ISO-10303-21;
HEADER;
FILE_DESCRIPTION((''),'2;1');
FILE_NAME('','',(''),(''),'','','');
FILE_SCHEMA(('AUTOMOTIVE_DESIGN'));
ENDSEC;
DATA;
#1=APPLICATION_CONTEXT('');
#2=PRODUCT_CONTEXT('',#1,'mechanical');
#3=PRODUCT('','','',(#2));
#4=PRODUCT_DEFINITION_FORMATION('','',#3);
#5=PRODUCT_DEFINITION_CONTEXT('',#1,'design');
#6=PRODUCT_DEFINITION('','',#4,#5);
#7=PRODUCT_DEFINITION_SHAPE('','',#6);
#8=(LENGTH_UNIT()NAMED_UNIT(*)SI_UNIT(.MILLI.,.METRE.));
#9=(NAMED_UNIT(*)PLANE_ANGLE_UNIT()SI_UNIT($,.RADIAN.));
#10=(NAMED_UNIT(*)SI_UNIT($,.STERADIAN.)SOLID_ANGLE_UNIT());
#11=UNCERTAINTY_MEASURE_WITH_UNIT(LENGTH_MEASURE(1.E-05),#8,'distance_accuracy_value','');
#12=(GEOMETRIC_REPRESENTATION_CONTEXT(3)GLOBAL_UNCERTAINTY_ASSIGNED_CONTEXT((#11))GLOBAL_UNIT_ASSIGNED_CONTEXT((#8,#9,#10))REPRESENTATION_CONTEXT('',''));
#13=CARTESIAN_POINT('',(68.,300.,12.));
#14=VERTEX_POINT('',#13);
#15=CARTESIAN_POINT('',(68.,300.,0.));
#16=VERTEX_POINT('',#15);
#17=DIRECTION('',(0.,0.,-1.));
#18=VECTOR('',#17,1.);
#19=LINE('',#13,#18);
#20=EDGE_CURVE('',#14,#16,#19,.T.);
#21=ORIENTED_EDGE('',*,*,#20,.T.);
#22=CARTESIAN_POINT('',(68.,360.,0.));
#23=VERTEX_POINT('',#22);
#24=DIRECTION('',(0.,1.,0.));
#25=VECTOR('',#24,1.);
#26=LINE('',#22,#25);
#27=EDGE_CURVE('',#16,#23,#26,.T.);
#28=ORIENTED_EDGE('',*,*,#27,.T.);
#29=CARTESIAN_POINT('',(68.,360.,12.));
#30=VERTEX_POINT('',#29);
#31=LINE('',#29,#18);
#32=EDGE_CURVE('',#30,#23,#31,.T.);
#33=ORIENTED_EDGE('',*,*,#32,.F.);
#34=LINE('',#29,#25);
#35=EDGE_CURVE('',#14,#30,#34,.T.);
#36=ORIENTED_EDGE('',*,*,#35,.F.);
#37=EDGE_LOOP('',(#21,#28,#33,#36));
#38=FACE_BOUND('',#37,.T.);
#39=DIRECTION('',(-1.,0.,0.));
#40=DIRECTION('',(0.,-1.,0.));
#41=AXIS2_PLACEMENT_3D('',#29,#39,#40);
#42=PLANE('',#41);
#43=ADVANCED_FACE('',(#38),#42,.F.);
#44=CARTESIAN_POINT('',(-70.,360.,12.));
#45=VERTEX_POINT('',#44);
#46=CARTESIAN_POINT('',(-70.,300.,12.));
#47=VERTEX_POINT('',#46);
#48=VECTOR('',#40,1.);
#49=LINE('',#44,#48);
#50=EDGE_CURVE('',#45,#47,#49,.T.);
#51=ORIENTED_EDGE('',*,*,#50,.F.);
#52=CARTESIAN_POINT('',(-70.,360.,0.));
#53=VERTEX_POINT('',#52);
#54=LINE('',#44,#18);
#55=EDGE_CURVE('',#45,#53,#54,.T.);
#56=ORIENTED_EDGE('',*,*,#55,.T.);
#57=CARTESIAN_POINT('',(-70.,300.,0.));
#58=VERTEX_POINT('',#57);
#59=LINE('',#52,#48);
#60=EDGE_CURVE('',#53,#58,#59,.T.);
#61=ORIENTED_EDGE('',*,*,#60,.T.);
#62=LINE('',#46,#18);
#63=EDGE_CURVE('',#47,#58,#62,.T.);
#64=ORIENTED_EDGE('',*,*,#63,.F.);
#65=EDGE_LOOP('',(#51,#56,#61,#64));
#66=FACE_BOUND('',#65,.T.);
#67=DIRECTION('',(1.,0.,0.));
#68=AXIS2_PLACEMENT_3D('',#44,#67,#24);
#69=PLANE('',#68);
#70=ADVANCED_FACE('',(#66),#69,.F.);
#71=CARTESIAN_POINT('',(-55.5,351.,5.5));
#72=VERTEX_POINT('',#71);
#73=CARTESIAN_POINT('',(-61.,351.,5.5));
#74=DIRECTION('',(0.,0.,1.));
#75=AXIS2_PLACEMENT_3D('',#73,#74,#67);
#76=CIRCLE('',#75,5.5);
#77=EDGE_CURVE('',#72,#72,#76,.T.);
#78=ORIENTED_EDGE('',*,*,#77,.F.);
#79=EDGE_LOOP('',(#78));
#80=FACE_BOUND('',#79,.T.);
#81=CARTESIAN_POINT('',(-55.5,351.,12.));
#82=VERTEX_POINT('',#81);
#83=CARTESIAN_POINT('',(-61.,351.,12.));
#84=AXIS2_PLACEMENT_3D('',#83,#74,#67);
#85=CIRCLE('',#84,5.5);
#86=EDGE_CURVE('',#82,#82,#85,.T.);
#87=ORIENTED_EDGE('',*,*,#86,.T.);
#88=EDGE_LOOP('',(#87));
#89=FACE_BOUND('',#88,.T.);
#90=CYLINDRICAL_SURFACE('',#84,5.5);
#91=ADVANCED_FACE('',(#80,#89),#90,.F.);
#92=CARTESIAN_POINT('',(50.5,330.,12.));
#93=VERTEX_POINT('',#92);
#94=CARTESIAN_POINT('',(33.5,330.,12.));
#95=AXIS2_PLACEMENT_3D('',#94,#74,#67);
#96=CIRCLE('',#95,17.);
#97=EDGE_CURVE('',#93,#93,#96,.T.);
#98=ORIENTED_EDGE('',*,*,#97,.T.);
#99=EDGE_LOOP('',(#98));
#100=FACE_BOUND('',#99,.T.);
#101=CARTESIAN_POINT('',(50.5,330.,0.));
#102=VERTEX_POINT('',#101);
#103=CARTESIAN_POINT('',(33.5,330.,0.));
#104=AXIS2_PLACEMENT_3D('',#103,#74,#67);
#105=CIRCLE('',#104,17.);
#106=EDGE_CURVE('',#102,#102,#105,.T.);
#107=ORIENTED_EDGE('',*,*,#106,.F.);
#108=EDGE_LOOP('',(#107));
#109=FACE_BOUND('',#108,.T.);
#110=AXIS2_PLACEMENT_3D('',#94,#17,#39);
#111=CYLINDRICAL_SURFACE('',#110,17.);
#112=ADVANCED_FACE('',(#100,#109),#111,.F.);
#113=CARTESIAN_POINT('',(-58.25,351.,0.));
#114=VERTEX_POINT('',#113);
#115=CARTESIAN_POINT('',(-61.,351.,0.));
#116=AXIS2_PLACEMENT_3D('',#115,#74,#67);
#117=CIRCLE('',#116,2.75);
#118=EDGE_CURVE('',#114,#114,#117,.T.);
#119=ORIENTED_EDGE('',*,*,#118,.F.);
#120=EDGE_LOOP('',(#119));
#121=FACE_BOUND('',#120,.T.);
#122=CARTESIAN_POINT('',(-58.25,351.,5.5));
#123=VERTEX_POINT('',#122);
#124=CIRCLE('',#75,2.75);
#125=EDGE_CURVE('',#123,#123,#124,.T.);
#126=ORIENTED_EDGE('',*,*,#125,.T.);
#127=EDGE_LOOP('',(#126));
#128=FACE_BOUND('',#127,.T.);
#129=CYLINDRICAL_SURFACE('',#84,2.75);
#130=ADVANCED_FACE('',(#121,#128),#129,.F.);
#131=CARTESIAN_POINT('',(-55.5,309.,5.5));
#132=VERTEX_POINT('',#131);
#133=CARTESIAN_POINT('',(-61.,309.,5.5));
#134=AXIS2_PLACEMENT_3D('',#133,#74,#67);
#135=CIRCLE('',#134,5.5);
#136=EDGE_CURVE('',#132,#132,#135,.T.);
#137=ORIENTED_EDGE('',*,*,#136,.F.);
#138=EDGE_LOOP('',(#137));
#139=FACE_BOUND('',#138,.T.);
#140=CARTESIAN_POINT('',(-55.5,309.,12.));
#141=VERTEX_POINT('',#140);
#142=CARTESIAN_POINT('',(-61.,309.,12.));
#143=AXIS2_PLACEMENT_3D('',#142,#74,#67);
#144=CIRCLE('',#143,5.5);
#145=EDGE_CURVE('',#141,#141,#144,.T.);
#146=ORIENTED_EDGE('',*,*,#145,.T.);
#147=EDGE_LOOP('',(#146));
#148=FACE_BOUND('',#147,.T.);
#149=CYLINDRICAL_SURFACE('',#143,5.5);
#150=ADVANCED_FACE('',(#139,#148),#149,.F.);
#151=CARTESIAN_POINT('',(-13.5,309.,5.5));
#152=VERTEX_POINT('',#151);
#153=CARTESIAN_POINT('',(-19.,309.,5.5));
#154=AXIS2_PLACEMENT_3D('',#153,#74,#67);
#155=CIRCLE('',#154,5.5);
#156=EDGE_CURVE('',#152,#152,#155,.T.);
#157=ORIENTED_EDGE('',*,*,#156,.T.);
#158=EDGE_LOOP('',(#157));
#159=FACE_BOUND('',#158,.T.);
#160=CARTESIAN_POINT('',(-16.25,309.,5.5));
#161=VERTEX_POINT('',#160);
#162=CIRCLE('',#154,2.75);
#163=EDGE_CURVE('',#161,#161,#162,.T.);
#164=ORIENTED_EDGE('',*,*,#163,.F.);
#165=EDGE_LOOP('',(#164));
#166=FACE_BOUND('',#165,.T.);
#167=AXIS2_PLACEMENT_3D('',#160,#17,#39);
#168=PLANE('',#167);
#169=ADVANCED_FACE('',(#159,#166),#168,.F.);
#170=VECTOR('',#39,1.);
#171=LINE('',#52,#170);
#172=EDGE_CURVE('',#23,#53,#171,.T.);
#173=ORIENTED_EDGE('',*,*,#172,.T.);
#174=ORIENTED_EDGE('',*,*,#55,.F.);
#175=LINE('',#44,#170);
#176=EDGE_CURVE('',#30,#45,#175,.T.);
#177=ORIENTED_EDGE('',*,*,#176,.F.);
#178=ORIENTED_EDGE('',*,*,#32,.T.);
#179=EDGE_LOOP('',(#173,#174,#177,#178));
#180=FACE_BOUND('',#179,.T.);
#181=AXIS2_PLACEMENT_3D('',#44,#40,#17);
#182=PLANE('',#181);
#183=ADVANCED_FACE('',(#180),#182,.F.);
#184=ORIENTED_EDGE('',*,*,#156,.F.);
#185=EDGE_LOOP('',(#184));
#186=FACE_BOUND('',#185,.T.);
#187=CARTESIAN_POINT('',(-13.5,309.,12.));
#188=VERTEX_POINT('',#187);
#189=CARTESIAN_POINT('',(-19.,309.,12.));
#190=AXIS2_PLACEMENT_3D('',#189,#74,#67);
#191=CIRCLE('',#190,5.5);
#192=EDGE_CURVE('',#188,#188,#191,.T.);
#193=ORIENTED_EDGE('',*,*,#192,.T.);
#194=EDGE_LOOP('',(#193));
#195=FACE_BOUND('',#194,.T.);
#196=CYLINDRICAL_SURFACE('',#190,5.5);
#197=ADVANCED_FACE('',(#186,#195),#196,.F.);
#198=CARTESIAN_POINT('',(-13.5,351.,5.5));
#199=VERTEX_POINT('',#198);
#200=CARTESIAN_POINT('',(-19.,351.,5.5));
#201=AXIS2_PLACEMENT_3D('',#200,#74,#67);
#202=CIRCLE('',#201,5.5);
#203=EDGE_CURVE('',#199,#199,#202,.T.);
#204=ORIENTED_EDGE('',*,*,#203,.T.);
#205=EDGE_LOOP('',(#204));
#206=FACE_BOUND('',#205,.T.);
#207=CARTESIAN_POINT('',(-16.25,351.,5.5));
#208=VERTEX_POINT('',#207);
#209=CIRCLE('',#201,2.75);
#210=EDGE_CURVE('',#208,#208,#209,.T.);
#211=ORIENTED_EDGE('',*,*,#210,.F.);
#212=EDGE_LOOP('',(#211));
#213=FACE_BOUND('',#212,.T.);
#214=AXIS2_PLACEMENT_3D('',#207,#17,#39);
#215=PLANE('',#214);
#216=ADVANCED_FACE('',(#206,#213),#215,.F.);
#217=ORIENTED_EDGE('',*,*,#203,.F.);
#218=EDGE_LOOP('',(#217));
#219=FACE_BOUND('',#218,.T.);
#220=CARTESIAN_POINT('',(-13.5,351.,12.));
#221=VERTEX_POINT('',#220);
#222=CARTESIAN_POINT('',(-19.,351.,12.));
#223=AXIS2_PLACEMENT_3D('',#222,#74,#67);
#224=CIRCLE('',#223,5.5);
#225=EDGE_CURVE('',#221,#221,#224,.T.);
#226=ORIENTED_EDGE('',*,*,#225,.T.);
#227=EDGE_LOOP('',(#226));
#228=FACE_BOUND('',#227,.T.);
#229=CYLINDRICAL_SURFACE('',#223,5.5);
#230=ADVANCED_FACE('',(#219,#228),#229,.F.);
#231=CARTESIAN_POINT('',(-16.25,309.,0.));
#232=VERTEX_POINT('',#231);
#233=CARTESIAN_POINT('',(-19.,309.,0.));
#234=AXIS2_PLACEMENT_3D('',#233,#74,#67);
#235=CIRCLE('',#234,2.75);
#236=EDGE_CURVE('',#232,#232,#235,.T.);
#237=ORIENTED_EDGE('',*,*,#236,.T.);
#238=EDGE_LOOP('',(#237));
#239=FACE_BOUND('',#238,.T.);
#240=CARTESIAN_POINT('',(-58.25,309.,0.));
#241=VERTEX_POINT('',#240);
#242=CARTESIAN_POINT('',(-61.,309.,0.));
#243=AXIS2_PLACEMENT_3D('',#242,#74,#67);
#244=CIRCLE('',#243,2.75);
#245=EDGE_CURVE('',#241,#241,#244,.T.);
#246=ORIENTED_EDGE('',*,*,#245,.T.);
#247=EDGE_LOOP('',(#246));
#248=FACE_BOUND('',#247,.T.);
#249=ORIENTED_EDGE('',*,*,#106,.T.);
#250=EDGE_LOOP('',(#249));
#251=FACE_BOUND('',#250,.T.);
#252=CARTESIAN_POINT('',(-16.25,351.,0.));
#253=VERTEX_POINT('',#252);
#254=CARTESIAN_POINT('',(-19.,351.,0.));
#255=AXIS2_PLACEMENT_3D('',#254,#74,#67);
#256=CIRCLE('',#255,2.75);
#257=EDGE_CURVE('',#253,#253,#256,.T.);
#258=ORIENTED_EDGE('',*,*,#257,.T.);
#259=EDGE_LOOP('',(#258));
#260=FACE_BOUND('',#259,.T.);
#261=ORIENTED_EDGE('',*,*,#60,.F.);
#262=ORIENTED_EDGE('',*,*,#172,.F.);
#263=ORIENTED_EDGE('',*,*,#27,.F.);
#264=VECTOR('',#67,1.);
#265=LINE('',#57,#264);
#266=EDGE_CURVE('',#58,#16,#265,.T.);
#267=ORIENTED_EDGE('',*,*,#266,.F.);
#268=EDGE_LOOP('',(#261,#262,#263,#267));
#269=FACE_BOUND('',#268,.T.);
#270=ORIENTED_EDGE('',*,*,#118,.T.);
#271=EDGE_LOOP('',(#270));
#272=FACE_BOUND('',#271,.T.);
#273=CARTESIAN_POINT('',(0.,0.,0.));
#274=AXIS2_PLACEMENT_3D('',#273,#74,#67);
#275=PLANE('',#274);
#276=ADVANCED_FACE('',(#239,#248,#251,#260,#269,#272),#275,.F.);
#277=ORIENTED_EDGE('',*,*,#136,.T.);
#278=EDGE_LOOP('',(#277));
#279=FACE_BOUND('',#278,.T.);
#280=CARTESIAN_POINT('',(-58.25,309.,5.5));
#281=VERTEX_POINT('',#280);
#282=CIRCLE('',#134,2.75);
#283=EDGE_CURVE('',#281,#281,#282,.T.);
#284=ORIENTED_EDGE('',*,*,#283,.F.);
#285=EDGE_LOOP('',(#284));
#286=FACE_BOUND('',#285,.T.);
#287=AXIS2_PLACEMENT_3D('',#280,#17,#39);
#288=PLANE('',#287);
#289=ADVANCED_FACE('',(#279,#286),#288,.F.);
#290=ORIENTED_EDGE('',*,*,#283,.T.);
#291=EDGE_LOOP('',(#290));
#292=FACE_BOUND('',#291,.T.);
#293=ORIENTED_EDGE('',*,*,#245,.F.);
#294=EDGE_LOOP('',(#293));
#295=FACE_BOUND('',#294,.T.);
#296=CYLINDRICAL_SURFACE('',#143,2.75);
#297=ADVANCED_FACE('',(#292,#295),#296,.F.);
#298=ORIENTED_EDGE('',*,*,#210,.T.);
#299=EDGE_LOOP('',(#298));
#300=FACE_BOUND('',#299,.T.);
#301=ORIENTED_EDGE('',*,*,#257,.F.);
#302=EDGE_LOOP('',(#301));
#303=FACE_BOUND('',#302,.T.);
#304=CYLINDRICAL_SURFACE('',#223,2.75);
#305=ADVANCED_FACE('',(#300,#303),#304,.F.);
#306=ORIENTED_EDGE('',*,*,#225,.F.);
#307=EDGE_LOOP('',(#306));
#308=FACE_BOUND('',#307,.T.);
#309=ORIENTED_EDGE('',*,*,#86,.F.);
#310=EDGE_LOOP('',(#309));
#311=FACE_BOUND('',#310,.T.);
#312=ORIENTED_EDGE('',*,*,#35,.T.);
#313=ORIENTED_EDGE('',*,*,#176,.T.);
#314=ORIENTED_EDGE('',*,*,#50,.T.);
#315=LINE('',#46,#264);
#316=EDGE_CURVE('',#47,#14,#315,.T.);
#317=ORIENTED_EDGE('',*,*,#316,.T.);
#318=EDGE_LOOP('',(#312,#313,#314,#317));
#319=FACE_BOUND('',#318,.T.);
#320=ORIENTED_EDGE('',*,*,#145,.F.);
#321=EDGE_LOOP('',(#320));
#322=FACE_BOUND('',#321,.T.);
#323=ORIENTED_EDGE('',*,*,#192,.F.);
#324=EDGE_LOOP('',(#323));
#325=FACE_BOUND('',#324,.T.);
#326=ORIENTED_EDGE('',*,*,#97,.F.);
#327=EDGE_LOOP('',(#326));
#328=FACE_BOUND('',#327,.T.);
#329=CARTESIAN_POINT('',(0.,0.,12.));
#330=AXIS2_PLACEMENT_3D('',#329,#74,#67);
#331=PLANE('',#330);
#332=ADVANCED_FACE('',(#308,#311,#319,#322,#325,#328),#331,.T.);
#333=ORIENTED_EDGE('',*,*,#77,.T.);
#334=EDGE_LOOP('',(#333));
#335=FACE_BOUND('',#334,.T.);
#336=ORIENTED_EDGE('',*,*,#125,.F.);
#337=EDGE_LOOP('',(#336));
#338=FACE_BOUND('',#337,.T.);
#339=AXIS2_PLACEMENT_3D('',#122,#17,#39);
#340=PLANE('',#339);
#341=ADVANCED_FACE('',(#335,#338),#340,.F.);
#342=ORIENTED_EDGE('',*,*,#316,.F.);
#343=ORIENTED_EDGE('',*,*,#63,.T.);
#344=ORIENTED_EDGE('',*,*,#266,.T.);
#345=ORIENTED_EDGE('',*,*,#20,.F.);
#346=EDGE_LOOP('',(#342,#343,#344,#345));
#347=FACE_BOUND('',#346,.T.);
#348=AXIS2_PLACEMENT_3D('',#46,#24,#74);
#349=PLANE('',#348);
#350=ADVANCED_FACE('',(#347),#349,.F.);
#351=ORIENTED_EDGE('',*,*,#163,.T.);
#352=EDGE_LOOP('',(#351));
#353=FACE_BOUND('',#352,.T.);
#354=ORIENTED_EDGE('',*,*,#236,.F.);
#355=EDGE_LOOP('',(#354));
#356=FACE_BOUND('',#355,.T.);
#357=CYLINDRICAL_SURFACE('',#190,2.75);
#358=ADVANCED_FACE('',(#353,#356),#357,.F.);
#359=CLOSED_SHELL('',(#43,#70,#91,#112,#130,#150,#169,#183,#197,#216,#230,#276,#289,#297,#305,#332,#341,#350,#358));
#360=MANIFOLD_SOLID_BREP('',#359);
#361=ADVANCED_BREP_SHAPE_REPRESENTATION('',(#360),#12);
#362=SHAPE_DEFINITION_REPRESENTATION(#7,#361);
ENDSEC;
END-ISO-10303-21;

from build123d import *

# Parameters (mm, degrees)
SZKIC1_W                                             = 138
SZKIC1_H                                             = 60
SZKIC1_R                                             = 17
DODANIE_WYCI_GNI_CIE1_DEPTH                          = 12
POG_BIENIE_WALCOWE_POD_M5_WKR_T_DO_CZ_CI_D           = 5.5
POG_BIENIE_WALCOWE_POD_M5_WKR_T_DO_CZ_CI_CBORE_D     = 11
POG_BIENIE_WALCOWE_POD_M5_WKR_T_DO_CZ_CI_CBORE_DEPTH = 6.5


with BuildPart() as part:
    # Szkic1 → Dodanie-wyciągnięcie1 (new body)
    with BuildSketch(Plane.XY):
        with Locations((-1, 330)):
            Rectangle(SZKIC1_W, SZKIC1_H)
        with Locations((33.5, 330)):
            Circle(SZKIC1_R, mode=Mode.SUBTRACT)
    extrude(amount=DODANIE_WYCI_GNI_CIE1_DEPTH)

    # Pogłębienie walcowe pod M5 Wkręt do części metalowych z łbem sześciokątnym1 (through all)
    with Locations(Plane.XY.offset(12)):
        with Locations((-61, 351), (-19, 351), (-61, 309), (-19, 309)):
            CounterBoreHole(POG_BIENIE_WALCOWE_POD_M5_WKR_T_DO_CZ_CI_D / 2, POG_BIENIE_WALCOWE_POD_M5_WKR_T_DO_CZ_CI_CBORE_D / 2, POG_BIENIE_WALCOWE_POD_M5_WKR_T_DO_CZ_CI_CBORE_DEPTH)


solid = part.part
